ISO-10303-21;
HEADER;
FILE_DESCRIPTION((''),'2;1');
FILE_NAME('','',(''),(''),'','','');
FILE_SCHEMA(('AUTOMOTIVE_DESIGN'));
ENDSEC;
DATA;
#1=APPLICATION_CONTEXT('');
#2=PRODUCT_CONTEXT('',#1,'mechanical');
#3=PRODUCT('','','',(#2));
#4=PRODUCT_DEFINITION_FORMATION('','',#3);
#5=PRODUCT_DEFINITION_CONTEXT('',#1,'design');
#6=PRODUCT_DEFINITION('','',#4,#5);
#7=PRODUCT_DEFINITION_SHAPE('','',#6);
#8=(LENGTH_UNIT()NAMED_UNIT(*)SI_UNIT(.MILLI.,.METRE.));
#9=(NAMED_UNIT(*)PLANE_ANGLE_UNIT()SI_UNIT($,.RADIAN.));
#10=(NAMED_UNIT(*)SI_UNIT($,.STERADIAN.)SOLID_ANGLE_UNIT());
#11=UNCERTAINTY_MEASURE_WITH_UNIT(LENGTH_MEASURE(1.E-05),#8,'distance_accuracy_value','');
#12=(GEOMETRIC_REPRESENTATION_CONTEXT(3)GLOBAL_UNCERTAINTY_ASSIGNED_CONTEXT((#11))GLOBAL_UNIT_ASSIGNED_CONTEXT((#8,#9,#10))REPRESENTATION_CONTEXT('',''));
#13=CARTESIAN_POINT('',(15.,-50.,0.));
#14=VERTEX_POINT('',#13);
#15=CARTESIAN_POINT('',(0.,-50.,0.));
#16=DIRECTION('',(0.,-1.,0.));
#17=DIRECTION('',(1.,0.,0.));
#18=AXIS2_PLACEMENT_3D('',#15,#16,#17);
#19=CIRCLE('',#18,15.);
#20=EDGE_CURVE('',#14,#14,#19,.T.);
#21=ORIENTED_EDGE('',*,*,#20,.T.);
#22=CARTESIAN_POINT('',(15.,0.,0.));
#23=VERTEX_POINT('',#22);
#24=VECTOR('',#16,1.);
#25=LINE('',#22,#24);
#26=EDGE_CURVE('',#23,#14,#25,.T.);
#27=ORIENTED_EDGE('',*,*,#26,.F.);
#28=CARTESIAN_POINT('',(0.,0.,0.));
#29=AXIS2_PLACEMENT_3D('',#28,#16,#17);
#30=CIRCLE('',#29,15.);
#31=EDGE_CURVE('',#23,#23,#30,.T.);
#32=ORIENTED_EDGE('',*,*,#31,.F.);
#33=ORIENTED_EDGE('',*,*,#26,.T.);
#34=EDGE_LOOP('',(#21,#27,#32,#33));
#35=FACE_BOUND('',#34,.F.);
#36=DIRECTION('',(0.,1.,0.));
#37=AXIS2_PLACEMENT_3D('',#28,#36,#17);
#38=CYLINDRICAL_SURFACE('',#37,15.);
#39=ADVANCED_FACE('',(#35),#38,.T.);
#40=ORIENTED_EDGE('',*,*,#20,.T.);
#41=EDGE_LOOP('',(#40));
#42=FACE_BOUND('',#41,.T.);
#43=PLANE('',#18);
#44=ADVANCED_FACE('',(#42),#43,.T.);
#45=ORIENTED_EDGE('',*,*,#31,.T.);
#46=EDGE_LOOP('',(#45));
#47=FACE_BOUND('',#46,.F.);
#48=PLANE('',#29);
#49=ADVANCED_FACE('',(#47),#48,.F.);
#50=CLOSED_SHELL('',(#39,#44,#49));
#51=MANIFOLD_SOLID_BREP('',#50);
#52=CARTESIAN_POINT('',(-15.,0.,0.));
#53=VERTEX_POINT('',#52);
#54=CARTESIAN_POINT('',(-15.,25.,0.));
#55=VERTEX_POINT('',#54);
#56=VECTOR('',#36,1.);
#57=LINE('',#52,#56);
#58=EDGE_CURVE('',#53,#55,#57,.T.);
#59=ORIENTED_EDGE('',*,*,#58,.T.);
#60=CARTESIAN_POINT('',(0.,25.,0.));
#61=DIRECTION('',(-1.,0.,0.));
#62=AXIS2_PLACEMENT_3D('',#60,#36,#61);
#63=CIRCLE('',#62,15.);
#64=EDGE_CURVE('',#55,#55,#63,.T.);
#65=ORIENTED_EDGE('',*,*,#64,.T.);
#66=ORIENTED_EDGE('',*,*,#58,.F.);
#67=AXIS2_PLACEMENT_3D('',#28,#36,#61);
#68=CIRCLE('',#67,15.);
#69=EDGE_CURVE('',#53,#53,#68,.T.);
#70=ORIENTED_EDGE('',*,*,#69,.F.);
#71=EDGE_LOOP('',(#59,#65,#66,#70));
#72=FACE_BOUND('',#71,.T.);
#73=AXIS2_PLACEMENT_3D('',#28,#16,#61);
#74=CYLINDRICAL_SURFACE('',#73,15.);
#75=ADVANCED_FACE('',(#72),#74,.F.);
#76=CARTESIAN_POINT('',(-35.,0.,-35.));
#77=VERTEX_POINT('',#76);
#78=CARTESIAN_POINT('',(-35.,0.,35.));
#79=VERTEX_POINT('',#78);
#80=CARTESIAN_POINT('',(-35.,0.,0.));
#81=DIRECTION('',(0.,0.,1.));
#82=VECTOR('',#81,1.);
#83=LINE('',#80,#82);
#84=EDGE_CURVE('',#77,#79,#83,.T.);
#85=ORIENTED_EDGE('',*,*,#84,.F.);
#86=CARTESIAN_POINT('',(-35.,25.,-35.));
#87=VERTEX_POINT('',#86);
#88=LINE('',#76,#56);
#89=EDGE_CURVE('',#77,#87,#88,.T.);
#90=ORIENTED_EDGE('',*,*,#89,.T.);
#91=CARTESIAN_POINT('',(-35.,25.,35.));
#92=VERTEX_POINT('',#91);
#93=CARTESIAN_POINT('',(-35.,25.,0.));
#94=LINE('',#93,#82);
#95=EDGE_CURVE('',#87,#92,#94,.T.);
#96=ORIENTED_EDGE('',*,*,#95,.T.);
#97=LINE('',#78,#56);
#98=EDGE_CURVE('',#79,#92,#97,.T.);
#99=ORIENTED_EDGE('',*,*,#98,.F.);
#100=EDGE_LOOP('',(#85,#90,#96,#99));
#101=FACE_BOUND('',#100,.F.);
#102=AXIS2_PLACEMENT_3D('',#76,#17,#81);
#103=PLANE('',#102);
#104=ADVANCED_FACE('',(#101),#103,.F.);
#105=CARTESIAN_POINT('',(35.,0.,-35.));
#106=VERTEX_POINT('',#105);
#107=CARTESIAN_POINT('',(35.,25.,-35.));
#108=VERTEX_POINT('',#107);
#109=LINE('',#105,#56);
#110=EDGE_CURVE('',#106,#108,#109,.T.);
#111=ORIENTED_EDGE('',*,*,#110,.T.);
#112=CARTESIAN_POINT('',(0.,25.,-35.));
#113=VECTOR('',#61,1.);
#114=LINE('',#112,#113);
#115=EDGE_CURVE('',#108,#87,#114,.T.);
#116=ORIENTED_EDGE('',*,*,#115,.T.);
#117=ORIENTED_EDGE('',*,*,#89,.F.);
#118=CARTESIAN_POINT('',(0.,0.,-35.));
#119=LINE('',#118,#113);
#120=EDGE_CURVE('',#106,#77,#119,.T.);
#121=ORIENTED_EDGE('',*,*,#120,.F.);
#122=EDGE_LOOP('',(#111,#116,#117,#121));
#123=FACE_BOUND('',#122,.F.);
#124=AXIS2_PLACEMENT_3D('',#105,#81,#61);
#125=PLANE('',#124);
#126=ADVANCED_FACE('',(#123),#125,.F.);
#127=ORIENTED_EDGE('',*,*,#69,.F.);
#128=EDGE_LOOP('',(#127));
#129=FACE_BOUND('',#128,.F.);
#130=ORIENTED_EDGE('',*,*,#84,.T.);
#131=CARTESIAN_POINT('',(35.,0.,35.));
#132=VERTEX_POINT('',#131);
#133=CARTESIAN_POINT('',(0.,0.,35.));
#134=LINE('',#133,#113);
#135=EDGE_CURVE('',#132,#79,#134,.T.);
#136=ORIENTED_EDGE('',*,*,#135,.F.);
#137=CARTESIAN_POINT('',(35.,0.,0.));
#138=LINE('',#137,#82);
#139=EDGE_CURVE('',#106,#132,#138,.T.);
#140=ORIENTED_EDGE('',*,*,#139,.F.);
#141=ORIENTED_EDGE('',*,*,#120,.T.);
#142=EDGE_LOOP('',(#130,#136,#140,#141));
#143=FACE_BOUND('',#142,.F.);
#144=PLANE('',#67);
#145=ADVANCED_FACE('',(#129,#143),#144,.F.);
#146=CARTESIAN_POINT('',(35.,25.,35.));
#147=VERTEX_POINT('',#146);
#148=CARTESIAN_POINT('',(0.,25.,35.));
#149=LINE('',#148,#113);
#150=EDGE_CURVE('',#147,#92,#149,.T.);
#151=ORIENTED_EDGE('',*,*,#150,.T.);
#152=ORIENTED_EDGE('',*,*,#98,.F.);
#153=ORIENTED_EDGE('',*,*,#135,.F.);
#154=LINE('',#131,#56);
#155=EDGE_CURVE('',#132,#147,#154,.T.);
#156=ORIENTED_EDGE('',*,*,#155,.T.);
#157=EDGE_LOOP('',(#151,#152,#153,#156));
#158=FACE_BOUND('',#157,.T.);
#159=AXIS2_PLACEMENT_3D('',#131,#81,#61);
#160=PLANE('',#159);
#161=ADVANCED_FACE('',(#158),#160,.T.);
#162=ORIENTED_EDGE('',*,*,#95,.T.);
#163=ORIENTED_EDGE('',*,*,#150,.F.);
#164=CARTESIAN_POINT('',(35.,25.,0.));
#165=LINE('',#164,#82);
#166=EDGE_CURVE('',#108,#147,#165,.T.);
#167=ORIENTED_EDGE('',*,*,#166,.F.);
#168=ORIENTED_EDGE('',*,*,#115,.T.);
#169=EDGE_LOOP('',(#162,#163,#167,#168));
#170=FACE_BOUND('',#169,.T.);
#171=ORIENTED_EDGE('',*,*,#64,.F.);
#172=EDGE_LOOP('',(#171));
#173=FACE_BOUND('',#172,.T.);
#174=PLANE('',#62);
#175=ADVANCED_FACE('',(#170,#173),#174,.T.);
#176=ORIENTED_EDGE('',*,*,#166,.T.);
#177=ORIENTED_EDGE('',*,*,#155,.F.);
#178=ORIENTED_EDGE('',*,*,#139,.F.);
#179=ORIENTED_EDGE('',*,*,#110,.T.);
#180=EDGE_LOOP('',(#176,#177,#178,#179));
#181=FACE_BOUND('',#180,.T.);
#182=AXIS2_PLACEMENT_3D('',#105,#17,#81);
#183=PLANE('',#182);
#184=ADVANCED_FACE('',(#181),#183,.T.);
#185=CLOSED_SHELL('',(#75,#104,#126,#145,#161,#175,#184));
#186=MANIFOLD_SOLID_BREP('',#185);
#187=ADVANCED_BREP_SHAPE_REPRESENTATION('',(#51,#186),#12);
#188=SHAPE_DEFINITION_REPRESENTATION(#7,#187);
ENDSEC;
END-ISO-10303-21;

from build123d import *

# Parameters (mm, degrees)
F0_R     = 15
F1_DEPTH = 50
F2_W     = 70
F2_H     = 70
F2_R     = 15
F3_DEPTH = 25


with BuildPart() as f1:
    # F0 (on Front) → F1 (new body)
    with BuildSketch(Plane.XZ):
        Circle(F0_R)
    extrude(amount=F1_DEPTH)


with BuildPart() as f3:
    # F2 (on face) → F3 (new body)
    with BuildSketch(Plane(origin=(0, 0, 0), x_dir=(-1, 0, 0), z_dir=(0, 1, 0))):
        Rectangle(F2_W, F2_H)
        Circle(F2_R, mode=Mode.SUBTRACT)
    extrude(amount=F3_DEPTH)


solid = Compound([f1.part, f3.part])
